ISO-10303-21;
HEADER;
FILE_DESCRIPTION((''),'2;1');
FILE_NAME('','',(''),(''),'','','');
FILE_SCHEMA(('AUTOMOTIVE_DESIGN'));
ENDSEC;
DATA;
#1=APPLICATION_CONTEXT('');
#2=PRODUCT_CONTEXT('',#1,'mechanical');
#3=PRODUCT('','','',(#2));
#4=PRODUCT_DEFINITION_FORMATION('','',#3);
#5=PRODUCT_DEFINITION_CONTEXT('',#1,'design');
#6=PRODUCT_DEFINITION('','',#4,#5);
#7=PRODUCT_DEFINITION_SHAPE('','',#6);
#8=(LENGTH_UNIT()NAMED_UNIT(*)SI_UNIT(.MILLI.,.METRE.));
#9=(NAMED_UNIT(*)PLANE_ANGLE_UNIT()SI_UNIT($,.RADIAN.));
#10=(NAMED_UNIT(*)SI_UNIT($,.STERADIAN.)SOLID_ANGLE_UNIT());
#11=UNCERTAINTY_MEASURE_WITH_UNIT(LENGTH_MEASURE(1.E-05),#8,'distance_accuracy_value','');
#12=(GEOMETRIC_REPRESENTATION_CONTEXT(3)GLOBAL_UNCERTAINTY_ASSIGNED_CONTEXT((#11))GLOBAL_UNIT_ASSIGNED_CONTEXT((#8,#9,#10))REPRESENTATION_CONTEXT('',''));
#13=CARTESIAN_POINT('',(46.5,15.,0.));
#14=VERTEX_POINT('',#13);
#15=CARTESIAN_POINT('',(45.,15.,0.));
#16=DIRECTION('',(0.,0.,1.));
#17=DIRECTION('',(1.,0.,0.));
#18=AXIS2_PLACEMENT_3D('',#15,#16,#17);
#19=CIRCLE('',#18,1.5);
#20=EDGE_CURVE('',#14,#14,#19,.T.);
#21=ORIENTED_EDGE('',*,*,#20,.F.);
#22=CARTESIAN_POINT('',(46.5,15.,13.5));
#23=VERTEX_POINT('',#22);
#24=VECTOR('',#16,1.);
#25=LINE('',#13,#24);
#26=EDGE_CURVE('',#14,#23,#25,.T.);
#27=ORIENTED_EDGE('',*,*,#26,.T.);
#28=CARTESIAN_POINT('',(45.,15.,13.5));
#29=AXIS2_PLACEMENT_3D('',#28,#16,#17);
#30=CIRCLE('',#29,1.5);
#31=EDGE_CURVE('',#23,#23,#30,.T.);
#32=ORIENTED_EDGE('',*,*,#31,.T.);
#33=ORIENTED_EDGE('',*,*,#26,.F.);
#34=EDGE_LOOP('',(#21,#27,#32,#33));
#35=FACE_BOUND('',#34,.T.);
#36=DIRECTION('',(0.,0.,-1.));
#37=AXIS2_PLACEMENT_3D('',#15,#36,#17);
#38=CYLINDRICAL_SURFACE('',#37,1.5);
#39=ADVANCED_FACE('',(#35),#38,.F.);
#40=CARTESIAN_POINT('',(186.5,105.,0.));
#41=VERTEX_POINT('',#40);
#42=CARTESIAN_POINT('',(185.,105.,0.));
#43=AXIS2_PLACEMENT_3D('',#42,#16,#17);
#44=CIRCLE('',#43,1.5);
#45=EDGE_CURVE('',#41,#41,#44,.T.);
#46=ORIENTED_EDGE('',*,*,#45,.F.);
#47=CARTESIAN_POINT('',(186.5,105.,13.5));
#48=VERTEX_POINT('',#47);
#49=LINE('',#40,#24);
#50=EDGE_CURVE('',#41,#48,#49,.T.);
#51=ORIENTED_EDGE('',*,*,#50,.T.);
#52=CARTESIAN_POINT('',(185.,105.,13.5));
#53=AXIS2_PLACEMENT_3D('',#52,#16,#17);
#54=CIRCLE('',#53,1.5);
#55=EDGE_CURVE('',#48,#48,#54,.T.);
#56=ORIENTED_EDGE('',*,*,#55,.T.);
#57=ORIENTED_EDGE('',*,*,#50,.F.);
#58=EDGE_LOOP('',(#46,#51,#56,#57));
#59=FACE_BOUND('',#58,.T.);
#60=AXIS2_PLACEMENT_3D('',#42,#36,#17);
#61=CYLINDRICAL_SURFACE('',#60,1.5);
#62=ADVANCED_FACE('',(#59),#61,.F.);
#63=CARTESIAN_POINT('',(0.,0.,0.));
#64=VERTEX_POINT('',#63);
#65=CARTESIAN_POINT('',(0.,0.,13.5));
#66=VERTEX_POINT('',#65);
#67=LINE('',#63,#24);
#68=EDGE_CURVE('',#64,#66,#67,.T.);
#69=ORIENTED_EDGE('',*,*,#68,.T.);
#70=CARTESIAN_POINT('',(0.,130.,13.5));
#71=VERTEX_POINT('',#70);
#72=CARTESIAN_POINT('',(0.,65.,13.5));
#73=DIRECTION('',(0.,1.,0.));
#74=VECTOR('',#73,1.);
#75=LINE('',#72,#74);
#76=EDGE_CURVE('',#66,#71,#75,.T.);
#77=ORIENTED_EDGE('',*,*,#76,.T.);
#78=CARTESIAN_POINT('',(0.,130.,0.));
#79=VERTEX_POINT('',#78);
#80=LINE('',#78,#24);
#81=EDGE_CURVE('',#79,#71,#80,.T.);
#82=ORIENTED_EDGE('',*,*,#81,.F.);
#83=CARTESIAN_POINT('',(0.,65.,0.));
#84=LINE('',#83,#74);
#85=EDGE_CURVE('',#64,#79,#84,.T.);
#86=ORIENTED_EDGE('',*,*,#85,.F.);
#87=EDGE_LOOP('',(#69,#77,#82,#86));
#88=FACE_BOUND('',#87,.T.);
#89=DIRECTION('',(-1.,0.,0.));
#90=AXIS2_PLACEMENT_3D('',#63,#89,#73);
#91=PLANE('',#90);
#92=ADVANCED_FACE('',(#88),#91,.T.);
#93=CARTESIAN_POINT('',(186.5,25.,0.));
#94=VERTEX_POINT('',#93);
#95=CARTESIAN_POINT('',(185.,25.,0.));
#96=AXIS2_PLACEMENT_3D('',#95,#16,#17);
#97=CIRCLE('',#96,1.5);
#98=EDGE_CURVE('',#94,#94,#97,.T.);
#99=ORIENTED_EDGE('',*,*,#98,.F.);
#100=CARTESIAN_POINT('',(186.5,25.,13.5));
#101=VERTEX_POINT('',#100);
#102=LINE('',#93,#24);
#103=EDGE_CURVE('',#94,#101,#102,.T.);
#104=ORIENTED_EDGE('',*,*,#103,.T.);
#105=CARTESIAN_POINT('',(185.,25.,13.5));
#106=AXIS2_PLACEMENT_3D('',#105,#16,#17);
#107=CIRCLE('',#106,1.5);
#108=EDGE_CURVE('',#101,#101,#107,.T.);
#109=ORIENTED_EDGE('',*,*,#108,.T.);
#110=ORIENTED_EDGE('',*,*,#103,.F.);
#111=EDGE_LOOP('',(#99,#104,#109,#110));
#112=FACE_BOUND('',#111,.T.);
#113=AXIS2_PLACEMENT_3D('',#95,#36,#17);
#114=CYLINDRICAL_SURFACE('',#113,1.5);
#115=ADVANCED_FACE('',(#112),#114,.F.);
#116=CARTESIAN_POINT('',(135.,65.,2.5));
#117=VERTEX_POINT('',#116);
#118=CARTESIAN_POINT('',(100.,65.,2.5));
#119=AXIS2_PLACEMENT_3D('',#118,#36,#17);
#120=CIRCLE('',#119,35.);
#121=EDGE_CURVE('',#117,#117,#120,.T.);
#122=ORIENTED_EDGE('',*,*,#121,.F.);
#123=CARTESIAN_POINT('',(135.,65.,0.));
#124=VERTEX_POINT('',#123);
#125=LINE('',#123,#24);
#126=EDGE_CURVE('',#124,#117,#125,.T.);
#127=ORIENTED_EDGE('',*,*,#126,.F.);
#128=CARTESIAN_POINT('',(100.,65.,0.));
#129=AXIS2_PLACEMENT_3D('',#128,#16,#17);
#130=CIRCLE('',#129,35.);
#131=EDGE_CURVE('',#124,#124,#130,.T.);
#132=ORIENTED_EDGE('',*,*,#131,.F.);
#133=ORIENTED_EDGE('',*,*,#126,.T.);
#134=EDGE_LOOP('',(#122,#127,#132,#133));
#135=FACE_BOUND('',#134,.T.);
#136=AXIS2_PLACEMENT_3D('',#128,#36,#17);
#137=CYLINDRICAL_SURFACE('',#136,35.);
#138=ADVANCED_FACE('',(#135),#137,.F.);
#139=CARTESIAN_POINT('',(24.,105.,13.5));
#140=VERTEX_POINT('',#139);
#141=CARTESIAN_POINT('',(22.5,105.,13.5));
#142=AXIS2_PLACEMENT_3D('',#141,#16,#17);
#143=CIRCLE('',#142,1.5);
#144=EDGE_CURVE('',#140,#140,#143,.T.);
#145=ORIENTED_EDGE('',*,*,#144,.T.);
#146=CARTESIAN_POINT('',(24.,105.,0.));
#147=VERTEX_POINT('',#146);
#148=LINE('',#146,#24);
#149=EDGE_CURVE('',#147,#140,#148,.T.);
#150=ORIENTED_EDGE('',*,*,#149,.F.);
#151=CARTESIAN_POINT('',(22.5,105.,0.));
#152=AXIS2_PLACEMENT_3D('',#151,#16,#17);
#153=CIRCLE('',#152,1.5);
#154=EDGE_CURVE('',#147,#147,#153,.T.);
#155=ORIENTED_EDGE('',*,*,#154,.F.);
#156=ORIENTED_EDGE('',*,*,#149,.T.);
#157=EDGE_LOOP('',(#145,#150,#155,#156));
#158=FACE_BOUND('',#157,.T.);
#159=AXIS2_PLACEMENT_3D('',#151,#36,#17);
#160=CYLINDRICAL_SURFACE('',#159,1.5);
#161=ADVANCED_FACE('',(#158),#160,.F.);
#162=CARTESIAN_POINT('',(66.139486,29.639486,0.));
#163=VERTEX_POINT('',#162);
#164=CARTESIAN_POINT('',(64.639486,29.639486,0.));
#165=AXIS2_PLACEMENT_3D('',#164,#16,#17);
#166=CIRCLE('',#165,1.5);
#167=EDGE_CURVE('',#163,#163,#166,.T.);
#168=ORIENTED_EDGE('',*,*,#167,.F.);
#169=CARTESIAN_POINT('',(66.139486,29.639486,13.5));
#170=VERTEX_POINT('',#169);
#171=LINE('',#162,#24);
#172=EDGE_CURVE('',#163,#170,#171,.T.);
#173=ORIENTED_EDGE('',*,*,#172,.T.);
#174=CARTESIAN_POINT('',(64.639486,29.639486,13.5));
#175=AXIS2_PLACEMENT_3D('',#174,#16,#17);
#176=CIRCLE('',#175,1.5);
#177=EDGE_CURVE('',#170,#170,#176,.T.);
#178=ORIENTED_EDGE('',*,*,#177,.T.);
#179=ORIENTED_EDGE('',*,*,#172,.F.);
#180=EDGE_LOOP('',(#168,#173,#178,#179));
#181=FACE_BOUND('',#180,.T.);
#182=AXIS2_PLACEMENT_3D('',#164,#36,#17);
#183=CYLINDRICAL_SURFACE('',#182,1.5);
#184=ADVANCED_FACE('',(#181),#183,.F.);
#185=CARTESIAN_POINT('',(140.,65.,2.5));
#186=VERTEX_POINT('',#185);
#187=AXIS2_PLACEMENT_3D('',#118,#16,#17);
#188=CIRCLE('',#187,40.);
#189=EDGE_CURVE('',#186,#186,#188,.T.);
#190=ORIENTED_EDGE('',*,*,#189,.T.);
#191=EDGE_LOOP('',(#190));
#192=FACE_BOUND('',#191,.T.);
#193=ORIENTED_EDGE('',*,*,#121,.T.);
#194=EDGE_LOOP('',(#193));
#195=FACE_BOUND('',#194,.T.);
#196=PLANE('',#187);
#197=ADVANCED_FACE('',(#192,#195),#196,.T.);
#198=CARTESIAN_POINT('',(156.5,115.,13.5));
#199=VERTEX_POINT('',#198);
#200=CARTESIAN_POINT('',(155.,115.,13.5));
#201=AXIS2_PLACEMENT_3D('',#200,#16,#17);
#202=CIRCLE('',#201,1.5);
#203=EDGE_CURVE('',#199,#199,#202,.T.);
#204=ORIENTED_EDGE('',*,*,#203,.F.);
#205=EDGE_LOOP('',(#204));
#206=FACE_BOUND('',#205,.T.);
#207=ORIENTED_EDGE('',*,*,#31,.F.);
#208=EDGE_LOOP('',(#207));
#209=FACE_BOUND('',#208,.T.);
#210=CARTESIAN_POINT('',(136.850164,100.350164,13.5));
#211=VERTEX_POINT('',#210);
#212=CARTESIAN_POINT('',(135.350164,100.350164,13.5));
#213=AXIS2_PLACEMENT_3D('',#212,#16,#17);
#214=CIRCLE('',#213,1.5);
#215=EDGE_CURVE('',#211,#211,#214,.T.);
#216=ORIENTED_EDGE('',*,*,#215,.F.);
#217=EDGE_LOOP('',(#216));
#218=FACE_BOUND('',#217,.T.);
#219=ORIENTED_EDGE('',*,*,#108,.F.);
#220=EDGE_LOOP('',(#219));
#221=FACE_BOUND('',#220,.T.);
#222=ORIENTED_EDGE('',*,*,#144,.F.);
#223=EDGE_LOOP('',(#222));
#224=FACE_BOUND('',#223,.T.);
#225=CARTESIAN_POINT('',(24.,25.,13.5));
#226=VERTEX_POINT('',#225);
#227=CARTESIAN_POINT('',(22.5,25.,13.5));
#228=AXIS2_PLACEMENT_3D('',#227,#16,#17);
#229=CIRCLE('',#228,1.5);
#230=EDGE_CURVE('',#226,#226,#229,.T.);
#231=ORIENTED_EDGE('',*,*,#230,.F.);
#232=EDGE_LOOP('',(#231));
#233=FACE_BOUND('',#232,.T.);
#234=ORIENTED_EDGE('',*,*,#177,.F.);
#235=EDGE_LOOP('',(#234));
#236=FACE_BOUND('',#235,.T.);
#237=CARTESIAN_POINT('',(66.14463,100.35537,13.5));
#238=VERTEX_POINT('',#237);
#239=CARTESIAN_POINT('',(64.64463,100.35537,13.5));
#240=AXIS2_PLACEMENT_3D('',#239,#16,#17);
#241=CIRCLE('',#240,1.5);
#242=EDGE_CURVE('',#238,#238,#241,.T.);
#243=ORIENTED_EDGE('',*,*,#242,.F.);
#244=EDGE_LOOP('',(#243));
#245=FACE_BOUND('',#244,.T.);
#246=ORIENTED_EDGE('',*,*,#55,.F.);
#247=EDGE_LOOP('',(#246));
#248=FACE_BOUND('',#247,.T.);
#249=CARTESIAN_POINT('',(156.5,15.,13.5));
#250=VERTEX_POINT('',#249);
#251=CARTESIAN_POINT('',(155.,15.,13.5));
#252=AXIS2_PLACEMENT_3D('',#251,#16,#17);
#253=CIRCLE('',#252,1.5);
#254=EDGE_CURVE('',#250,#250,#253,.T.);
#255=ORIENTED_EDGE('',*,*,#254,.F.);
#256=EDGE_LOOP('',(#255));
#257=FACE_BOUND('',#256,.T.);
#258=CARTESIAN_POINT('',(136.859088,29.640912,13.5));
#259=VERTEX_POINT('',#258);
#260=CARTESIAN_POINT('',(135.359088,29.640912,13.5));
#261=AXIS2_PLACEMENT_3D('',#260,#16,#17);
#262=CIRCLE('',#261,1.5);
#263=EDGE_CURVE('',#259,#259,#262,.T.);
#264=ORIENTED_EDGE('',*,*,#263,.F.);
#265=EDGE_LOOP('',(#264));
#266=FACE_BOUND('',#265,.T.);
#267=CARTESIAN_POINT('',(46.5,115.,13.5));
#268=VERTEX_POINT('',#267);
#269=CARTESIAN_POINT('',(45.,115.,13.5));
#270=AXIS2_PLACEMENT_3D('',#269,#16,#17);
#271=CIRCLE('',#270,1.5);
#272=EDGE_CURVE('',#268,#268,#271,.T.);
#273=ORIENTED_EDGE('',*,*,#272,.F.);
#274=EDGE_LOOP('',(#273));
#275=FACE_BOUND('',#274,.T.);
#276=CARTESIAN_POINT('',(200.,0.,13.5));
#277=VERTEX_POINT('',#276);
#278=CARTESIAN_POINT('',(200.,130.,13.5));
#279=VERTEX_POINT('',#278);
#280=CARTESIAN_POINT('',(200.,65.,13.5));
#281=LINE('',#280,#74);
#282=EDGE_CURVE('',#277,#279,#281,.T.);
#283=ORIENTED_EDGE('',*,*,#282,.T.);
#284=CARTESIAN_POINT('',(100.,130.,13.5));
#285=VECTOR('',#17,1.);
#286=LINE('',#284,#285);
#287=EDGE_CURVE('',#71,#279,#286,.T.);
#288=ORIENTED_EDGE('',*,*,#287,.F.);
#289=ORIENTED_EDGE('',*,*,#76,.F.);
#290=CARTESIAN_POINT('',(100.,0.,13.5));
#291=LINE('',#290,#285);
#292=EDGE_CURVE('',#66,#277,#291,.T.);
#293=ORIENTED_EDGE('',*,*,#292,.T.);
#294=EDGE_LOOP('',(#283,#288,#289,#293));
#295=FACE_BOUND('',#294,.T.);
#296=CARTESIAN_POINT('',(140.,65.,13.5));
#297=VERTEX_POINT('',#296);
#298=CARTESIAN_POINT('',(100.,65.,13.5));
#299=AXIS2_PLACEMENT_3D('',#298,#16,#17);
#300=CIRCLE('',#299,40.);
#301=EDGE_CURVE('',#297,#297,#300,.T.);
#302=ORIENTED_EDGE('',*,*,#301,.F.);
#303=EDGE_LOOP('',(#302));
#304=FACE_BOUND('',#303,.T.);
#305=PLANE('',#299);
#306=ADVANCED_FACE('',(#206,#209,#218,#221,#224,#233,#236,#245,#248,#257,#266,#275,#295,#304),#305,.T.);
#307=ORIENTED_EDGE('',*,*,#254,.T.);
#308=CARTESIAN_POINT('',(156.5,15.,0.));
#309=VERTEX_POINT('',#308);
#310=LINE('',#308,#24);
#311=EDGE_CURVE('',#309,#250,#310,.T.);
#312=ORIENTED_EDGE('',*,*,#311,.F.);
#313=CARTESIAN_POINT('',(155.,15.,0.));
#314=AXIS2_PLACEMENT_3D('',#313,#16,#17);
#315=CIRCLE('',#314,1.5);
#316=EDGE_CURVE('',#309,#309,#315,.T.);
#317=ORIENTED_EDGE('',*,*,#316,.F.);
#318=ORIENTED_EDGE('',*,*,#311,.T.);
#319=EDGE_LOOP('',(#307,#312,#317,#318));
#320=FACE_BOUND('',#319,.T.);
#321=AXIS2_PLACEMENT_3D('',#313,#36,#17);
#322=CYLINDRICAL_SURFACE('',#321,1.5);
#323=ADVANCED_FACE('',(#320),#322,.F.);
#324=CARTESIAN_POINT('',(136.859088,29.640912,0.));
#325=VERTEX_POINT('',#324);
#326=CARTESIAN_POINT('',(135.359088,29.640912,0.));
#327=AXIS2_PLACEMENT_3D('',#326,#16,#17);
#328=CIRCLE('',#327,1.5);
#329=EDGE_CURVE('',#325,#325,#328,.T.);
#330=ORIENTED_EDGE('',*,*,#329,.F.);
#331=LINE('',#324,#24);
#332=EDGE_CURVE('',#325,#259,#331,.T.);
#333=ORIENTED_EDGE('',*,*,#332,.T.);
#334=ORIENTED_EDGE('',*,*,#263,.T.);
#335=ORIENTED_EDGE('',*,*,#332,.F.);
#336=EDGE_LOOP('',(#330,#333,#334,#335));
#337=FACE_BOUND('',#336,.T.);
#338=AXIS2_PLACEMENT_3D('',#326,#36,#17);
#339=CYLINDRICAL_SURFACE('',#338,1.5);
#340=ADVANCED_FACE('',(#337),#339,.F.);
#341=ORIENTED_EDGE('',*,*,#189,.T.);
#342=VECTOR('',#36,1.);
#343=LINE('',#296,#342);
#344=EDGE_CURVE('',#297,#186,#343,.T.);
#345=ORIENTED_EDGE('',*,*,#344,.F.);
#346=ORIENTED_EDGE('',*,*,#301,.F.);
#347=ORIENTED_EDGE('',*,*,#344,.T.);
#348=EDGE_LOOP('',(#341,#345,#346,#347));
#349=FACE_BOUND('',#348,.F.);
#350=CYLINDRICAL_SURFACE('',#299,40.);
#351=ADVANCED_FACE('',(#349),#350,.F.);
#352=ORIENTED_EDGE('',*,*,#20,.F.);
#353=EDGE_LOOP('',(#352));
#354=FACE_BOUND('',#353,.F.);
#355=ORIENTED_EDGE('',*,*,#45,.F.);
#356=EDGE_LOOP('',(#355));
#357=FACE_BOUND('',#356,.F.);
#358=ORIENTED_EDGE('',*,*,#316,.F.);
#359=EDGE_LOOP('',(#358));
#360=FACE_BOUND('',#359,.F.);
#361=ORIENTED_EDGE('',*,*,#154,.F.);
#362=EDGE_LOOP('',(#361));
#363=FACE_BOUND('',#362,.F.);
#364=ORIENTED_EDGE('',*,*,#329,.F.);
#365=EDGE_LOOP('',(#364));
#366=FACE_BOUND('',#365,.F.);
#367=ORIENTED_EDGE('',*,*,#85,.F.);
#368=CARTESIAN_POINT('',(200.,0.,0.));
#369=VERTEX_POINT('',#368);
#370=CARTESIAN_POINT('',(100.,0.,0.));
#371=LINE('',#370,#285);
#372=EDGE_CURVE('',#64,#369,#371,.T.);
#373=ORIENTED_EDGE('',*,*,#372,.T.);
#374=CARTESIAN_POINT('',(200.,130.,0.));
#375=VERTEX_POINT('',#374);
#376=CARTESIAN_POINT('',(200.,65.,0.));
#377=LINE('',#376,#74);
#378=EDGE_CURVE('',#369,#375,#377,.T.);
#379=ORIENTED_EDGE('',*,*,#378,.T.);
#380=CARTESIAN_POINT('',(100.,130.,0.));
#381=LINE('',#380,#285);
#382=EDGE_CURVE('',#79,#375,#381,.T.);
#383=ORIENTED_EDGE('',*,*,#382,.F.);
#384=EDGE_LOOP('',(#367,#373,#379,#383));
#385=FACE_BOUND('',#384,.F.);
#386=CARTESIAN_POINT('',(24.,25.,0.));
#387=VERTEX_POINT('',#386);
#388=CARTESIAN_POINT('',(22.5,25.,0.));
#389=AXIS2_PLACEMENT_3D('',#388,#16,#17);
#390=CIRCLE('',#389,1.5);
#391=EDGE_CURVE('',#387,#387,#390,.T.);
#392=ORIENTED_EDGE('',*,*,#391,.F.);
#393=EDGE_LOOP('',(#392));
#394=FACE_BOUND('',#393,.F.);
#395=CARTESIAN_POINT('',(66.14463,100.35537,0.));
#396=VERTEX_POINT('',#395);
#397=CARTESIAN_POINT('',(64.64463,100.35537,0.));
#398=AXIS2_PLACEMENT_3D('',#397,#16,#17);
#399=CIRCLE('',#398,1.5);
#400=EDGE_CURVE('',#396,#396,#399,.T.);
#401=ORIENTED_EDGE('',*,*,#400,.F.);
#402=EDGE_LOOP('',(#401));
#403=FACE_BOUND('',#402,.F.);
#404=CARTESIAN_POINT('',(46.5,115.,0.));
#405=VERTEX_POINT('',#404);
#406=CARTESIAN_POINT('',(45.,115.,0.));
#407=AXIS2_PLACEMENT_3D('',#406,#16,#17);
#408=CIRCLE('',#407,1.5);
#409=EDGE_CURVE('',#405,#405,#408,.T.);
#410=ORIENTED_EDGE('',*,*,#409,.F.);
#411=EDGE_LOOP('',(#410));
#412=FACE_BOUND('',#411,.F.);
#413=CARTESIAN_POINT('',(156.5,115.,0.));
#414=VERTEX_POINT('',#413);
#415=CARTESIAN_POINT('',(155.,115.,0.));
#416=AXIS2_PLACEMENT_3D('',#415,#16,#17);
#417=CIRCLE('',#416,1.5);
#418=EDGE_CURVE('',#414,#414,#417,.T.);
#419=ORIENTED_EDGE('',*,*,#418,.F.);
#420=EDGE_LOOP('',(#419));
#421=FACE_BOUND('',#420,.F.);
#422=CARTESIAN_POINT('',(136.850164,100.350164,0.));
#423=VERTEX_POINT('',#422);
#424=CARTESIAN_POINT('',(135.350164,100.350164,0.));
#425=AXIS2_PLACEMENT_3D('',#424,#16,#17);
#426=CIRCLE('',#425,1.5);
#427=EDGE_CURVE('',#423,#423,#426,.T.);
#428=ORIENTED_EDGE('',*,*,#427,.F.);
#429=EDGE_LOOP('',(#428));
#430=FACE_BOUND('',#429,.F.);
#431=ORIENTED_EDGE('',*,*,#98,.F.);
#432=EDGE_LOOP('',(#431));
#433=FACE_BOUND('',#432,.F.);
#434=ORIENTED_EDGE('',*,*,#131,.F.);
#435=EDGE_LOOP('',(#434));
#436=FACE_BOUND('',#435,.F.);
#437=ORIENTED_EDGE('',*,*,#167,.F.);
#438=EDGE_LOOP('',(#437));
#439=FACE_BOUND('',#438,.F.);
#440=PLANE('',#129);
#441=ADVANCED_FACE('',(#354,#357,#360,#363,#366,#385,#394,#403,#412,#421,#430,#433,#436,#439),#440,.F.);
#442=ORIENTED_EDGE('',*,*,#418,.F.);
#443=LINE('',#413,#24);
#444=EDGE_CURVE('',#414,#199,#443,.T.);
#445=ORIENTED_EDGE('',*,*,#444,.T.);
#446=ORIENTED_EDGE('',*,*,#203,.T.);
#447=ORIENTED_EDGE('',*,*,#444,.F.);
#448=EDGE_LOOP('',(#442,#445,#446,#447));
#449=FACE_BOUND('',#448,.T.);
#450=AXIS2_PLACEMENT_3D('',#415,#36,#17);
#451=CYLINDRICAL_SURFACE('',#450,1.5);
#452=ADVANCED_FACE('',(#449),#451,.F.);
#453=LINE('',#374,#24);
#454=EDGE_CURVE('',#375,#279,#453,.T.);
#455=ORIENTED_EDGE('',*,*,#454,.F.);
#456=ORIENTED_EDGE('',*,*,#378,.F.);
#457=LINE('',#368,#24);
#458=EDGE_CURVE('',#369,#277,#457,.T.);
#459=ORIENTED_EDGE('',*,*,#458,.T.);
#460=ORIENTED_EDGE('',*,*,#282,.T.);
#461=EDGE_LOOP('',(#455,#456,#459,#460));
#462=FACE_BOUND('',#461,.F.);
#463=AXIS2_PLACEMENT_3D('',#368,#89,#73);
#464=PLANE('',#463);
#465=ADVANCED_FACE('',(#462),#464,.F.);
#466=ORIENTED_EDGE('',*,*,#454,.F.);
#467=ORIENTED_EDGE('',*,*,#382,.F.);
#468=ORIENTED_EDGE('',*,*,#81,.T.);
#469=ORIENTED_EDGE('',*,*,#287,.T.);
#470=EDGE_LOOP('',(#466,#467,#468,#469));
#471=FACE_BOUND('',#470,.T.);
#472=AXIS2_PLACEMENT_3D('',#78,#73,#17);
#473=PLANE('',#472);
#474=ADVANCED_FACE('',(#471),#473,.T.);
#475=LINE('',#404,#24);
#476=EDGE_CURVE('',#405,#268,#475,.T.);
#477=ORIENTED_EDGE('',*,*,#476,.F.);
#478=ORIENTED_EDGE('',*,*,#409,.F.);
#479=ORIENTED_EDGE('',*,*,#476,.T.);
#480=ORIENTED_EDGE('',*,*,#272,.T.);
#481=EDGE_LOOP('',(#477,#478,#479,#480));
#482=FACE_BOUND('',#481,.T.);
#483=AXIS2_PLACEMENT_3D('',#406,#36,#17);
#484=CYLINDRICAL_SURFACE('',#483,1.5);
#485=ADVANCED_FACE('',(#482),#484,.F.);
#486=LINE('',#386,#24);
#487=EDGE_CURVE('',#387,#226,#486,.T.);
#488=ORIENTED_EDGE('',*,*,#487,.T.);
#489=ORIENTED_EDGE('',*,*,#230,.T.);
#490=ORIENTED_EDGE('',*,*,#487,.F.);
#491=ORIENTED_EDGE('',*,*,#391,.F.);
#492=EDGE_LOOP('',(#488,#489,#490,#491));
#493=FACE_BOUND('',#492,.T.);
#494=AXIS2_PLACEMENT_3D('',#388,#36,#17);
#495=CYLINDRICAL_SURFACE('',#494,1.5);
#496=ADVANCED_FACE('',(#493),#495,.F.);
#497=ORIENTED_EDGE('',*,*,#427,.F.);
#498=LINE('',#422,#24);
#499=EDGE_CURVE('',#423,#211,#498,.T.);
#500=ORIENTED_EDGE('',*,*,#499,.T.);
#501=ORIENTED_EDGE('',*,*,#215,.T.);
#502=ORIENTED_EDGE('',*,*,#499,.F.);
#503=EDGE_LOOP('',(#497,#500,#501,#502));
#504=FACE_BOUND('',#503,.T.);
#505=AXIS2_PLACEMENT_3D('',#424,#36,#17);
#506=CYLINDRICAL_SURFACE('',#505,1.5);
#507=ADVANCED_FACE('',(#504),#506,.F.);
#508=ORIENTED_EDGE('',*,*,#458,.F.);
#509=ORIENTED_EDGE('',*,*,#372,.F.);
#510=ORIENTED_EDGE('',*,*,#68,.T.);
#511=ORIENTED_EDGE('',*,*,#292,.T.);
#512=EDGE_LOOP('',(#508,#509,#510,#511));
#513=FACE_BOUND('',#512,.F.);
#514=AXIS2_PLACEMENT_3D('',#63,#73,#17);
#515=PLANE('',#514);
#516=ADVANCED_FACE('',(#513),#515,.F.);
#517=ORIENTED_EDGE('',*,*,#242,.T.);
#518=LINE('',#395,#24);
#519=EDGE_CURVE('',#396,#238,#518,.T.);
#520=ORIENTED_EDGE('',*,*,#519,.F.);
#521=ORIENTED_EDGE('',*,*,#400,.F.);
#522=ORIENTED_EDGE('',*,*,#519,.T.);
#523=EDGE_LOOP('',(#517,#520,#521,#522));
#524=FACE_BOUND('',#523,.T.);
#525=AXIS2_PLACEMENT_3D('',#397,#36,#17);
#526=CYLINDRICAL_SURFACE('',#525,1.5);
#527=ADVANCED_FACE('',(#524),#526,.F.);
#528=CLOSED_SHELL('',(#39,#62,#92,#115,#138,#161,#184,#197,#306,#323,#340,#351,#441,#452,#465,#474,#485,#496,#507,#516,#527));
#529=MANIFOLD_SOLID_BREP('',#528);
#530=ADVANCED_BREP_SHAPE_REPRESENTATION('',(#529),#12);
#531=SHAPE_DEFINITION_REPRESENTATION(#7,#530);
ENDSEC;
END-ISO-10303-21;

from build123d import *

# Parameters (mm, degrees)
SKETCH_W     = 200
SKETCH_H     = 130
SKETCH_R     = 35
SKETCH_R_2   = 1.5
PAD_DEPTH    = 13.5
SKETCH001_R  = 40
POCKET_DEPTH = 11


with BuildPart() as part:
    # Sketch → Pad (new body)
    with BuildSketch(Plane.XY):
        with Locations((100, 65)):
            Rectangle(SKETCH_W, SKETCH_H)
        with Locations((100, 65)):
            Circle(SKETCH_R, mode=Mode.SUBTRACT)
        with Locations((45, 115)):
            Circle(SKETCH_R_2, mode=Mode.SUBTRACT)
        with Locations((45, 15)):
            Circle(SKETCH_R_2, mode=Mode.SUBTRACT)
        with Locations((155, 115)):
            Circle(SKETCH_R_2, mode=Mode.SUBTRACT)
        with Locations((155, 15)):
            Circle(SKETCH_R_2, mode=Mode.SUBTRACT)
        with Locations((22.5, 105)):
            Circle(SKETCH_R_2, mode=Mode.SUBTRACT)
        with Locations((22.5, 25)):
            Circle(SKETCH_R_2, mode=Mode.SUBTRACT)
        with Locations((185, 105)):
            Circle(SKETCH_R_2, mode=Mode.SUBTRACT)
        with Locations((185, 25)):
            Circle(SKETCH_R_2, mode=Mode.SUBTRACT)
        with Locations((135.350164, 100.350164)):
            Circle(SKETCH_R_2, mode=Mode.SUBTRACT)
        with Locations((64.639486, 29.639486)):
            Circle(SKETCH_R_2, mode=Mode.SUBTRACT)
        with Locations((64.64463, 100.35537)):
            Circle(SKETCH_R_2, mode=Mode.SUBTRACT)
        with Locations((135.359088, 29.640912)):
            Circle(SKETCH_R_2, mode=Mode.SUBTRACT)
    extrude(amount=PAD_DEPTH)

    # Sketch001 (on Face19 of Pad) → Pocket (cut)
    with BuildSketch(Plane.XY.offset(13.5)):
        with Locations((100, 65)):
            Circle(SKETCH001_R)
    extrude(amount=-POCKET_DEPTH, mode=Mode.SUBTRACT)


solid = part.part
